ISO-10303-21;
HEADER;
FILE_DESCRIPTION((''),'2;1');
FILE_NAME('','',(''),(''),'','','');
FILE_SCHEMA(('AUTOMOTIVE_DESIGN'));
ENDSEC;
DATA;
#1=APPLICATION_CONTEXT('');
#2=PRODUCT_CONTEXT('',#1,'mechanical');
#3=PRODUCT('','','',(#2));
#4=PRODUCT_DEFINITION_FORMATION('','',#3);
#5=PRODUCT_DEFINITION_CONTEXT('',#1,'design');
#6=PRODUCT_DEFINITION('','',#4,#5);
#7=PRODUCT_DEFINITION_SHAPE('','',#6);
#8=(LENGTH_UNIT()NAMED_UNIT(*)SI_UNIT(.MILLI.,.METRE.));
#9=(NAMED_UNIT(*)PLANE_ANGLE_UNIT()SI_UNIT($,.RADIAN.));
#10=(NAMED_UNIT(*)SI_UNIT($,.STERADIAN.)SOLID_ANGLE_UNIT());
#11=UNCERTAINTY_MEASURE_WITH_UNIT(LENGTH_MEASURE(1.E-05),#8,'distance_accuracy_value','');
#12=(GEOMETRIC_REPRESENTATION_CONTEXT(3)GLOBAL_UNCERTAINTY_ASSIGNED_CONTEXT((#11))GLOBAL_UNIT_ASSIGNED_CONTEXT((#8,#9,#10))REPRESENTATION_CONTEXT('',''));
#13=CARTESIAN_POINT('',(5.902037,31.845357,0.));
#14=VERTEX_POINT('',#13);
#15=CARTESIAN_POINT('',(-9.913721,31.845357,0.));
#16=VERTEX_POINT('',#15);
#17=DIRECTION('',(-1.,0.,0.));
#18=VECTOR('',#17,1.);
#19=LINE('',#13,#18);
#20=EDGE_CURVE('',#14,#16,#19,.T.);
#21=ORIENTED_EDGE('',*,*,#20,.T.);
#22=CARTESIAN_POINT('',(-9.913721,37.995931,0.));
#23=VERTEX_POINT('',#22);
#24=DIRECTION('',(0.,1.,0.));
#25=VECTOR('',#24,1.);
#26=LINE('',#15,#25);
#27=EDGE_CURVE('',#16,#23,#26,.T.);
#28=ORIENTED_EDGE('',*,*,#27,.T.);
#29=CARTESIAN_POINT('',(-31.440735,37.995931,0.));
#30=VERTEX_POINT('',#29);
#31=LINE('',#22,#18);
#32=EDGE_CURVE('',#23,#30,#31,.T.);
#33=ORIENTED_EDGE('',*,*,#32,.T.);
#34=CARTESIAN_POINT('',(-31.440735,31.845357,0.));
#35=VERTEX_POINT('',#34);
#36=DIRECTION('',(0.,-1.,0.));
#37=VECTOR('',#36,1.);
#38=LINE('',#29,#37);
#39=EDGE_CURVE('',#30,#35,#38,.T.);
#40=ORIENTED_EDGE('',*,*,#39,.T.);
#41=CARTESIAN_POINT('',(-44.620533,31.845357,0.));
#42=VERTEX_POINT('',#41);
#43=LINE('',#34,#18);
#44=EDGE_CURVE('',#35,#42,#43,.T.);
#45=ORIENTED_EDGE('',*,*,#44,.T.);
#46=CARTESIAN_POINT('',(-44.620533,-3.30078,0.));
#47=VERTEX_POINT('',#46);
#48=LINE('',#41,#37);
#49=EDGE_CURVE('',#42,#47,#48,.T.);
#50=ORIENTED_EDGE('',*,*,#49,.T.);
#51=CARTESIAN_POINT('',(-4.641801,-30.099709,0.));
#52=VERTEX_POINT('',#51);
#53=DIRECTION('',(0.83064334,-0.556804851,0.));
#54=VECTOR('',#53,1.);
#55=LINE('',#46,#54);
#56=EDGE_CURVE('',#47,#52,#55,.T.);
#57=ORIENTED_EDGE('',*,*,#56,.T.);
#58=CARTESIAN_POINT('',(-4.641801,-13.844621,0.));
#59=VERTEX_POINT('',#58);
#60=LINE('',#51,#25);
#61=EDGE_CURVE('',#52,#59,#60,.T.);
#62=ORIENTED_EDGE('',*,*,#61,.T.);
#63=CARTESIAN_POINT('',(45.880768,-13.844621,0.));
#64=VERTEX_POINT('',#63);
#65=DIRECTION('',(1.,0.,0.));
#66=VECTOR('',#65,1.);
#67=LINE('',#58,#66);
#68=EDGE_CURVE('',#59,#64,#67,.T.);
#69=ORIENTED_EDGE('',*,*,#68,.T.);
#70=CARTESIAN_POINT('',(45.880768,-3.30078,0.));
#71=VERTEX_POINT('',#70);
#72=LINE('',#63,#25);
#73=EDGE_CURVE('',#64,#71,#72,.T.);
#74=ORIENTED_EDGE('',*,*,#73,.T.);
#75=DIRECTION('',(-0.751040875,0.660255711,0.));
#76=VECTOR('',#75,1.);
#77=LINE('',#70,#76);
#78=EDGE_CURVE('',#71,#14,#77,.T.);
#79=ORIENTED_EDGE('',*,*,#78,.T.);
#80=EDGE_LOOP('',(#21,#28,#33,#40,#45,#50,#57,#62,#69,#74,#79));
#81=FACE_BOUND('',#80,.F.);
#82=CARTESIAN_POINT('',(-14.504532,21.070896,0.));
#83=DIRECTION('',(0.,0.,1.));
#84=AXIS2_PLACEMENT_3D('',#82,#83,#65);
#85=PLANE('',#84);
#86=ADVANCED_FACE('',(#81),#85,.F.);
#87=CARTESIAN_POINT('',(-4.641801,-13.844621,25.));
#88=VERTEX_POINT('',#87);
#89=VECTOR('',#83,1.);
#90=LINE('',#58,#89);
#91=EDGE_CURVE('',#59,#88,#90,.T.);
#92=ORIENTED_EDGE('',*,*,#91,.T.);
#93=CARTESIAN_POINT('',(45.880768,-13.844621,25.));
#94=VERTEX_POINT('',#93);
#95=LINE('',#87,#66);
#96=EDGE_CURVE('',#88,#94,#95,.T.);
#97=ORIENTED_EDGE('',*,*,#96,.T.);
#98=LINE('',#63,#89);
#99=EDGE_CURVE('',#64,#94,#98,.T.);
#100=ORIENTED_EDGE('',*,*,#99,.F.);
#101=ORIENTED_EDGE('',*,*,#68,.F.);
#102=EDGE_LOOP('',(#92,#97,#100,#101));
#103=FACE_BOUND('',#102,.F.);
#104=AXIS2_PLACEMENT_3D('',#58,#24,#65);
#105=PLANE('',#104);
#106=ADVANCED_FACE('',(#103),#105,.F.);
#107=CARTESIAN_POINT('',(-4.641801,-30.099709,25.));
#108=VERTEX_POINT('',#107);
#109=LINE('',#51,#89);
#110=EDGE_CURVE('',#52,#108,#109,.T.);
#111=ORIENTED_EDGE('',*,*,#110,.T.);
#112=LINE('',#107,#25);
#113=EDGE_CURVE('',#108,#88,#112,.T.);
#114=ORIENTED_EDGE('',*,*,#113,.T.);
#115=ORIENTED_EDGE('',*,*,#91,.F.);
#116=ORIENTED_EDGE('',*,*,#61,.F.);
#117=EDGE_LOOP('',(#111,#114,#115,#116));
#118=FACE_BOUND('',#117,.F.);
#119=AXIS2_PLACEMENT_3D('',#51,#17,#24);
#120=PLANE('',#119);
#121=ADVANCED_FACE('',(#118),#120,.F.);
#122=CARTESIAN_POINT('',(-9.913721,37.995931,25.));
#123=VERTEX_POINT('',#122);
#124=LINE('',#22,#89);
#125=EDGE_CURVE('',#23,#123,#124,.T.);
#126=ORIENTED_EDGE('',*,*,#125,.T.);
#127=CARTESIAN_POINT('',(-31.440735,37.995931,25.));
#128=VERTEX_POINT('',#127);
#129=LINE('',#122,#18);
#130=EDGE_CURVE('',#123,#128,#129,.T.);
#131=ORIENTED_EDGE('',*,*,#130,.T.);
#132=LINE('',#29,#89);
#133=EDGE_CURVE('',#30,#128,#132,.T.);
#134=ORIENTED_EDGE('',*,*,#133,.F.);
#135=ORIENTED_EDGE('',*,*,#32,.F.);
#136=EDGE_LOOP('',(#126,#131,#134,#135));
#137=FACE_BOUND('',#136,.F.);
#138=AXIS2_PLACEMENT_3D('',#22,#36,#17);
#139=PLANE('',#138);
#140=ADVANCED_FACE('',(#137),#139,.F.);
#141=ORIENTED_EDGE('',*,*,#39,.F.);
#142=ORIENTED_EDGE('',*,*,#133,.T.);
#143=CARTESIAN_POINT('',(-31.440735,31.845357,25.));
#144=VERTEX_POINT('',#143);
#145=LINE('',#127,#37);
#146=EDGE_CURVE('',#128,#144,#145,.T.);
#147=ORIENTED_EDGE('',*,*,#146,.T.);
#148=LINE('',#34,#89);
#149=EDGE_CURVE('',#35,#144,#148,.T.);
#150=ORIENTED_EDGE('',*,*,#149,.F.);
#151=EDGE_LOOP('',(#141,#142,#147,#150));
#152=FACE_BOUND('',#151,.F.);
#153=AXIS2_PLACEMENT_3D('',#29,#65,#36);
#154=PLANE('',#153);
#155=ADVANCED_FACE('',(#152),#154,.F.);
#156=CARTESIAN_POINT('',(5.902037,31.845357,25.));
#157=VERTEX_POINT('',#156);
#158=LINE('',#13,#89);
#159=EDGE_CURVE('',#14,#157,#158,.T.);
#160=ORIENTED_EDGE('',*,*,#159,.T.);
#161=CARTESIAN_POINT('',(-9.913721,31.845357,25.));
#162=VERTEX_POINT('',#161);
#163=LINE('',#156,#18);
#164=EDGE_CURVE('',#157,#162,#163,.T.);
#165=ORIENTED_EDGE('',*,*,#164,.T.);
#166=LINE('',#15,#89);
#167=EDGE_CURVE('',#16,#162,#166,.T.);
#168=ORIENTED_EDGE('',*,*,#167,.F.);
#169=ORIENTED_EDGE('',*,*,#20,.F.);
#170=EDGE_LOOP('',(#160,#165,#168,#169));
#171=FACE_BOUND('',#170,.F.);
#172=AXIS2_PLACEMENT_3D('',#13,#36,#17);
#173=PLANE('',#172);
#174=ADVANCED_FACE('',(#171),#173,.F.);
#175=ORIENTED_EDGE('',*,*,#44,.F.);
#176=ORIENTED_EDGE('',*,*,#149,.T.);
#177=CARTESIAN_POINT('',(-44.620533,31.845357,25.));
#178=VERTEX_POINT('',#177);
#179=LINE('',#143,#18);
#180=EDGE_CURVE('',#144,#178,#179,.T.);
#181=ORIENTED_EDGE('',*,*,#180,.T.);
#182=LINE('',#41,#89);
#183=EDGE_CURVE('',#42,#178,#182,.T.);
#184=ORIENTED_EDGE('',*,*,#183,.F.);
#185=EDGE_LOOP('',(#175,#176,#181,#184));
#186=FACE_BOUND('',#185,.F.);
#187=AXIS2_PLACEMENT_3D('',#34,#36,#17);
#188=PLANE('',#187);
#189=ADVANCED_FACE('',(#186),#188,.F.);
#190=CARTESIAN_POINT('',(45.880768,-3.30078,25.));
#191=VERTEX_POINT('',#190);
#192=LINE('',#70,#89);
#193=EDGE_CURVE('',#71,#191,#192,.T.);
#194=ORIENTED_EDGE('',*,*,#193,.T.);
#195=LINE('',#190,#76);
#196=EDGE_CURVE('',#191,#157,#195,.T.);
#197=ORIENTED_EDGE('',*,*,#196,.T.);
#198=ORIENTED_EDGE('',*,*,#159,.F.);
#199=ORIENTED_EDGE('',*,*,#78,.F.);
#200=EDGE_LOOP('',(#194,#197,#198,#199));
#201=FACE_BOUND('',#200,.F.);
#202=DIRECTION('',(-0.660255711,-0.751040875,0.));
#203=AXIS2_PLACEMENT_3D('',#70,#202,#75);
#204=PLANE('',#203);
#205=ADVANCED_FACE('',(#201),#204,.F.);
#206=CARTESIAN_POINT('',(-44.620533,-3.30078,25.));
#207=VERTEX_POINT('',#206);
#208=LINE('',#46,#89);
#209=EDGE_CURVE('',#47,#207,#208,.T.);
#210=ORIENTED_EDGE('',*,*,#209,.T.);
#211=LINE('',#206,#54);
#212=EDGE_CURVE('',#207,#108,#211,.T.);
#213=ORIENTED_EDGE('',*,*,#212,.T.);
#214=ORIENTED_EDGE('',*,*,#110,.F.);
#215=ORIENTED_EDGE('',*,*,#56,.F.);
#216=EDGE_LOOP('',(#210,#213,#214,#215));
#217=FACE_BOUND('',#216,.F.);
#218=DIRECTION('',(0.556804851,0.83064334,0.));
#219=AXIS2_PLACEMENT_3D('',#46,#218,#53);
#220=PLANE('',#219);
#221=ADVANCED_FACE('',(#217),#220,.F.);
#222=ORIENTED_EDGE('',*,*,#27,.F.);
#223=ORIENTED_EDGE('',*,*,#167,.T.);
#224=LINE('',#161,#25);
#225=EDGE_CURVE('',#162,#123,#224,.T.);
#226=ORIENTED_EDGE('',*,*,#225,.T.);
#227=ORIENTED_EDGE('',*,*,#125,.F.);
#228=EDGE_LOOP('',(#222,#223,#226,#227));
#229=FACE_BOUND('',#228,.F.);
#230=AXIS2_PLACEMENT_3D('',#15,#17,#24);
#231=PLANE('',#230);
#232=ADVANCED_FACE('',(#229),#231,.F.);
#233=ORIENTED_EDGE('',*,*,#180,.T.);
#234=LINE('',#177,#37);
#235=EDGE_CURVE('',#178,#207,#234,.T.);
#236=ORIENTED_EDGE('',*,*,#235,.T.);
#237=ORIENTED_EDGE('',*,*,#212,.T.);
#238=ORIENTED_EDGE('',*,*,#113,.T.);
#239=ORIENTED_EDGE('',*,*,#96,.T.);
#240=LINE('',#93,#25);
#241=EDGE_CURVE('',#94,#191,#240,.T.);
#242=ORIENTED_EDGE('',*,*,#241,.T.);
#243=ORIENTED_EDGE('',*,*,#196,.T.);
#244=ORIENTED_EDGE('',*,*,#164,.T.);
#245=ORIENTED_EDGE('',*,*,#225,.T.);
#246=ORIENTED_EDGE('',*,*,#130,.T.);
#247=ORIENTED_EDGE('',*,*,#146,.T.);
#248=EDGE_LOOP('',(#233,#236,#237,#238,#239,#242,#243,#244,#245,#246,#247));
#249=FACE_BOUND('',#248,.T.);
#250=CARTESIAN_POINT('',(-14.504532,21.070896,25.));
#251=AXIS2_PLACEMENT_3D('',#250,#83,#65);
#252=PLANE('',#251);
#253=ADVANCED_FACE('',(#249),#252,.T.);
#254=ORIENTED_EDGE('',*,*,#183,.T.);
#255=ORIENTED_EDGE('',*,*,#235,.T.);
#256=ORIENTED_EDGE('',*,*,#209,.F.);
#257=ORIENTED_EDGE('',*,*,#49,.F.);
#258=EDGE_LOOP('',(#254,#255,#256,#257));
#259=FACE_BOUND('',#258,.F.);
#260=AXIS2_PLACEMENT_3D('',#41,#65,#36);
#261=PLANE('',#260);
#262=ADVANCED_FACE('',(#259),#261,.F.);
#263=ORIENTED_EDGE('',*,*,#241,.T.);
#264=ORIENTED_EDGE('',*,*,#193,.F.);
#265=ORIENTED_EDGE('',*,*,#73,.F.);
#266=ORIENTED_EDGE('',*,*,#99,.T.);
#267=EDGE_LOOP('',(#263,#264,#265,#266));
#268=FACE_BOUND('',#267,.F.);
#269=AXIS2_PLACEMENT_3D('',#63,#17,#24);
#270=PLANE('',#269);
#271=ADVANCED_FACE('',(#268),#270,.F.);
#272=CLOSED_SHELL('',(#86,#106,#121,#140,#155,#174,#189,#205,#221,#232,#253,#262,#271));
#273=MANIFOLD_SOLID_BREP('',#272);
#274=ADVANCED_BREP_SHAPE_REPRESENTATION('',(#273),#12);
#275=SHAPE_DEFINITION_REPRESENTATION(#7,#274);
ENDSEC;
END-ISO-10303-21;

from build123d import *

# Parameters (mm, degrees)
F1_DEPTH = 25


with BuildPart() as f1:
    # F0 (on Top) → F1 (new body)
    with BuildSketch(Plane.XY):
        Polygon((-31.440735, 31.845357), (-44.620533, 31.845357), (-4.641801, -3.30078), (5.462711, -3.30078), (5.902037, 31.845357), (-9.913721, 31.845357), (-9.913721, 37.995931), (-31.440735, 37.995931), align=None)
        Polygon((-4.641801, -3.30078), (-44.620533, 31.845357), (-44.620533, -3.30078), align=None)
        Polygon((5.462711, -3.30078), (-4.641801, -3.30078), (-4.641801, -13.844621), (45.880768, -13.844621), (45.880768, -3.30078), (5.902037, 31.845357), align=None)
        Polygon((-4.641801, -13.844621), (-4.641801, -3.30078), (-44.620533, -3.30078), (-4.641801, -30.099709), align=None)
    extrude(amount=F1_DEPTH)


solid = f1.part
